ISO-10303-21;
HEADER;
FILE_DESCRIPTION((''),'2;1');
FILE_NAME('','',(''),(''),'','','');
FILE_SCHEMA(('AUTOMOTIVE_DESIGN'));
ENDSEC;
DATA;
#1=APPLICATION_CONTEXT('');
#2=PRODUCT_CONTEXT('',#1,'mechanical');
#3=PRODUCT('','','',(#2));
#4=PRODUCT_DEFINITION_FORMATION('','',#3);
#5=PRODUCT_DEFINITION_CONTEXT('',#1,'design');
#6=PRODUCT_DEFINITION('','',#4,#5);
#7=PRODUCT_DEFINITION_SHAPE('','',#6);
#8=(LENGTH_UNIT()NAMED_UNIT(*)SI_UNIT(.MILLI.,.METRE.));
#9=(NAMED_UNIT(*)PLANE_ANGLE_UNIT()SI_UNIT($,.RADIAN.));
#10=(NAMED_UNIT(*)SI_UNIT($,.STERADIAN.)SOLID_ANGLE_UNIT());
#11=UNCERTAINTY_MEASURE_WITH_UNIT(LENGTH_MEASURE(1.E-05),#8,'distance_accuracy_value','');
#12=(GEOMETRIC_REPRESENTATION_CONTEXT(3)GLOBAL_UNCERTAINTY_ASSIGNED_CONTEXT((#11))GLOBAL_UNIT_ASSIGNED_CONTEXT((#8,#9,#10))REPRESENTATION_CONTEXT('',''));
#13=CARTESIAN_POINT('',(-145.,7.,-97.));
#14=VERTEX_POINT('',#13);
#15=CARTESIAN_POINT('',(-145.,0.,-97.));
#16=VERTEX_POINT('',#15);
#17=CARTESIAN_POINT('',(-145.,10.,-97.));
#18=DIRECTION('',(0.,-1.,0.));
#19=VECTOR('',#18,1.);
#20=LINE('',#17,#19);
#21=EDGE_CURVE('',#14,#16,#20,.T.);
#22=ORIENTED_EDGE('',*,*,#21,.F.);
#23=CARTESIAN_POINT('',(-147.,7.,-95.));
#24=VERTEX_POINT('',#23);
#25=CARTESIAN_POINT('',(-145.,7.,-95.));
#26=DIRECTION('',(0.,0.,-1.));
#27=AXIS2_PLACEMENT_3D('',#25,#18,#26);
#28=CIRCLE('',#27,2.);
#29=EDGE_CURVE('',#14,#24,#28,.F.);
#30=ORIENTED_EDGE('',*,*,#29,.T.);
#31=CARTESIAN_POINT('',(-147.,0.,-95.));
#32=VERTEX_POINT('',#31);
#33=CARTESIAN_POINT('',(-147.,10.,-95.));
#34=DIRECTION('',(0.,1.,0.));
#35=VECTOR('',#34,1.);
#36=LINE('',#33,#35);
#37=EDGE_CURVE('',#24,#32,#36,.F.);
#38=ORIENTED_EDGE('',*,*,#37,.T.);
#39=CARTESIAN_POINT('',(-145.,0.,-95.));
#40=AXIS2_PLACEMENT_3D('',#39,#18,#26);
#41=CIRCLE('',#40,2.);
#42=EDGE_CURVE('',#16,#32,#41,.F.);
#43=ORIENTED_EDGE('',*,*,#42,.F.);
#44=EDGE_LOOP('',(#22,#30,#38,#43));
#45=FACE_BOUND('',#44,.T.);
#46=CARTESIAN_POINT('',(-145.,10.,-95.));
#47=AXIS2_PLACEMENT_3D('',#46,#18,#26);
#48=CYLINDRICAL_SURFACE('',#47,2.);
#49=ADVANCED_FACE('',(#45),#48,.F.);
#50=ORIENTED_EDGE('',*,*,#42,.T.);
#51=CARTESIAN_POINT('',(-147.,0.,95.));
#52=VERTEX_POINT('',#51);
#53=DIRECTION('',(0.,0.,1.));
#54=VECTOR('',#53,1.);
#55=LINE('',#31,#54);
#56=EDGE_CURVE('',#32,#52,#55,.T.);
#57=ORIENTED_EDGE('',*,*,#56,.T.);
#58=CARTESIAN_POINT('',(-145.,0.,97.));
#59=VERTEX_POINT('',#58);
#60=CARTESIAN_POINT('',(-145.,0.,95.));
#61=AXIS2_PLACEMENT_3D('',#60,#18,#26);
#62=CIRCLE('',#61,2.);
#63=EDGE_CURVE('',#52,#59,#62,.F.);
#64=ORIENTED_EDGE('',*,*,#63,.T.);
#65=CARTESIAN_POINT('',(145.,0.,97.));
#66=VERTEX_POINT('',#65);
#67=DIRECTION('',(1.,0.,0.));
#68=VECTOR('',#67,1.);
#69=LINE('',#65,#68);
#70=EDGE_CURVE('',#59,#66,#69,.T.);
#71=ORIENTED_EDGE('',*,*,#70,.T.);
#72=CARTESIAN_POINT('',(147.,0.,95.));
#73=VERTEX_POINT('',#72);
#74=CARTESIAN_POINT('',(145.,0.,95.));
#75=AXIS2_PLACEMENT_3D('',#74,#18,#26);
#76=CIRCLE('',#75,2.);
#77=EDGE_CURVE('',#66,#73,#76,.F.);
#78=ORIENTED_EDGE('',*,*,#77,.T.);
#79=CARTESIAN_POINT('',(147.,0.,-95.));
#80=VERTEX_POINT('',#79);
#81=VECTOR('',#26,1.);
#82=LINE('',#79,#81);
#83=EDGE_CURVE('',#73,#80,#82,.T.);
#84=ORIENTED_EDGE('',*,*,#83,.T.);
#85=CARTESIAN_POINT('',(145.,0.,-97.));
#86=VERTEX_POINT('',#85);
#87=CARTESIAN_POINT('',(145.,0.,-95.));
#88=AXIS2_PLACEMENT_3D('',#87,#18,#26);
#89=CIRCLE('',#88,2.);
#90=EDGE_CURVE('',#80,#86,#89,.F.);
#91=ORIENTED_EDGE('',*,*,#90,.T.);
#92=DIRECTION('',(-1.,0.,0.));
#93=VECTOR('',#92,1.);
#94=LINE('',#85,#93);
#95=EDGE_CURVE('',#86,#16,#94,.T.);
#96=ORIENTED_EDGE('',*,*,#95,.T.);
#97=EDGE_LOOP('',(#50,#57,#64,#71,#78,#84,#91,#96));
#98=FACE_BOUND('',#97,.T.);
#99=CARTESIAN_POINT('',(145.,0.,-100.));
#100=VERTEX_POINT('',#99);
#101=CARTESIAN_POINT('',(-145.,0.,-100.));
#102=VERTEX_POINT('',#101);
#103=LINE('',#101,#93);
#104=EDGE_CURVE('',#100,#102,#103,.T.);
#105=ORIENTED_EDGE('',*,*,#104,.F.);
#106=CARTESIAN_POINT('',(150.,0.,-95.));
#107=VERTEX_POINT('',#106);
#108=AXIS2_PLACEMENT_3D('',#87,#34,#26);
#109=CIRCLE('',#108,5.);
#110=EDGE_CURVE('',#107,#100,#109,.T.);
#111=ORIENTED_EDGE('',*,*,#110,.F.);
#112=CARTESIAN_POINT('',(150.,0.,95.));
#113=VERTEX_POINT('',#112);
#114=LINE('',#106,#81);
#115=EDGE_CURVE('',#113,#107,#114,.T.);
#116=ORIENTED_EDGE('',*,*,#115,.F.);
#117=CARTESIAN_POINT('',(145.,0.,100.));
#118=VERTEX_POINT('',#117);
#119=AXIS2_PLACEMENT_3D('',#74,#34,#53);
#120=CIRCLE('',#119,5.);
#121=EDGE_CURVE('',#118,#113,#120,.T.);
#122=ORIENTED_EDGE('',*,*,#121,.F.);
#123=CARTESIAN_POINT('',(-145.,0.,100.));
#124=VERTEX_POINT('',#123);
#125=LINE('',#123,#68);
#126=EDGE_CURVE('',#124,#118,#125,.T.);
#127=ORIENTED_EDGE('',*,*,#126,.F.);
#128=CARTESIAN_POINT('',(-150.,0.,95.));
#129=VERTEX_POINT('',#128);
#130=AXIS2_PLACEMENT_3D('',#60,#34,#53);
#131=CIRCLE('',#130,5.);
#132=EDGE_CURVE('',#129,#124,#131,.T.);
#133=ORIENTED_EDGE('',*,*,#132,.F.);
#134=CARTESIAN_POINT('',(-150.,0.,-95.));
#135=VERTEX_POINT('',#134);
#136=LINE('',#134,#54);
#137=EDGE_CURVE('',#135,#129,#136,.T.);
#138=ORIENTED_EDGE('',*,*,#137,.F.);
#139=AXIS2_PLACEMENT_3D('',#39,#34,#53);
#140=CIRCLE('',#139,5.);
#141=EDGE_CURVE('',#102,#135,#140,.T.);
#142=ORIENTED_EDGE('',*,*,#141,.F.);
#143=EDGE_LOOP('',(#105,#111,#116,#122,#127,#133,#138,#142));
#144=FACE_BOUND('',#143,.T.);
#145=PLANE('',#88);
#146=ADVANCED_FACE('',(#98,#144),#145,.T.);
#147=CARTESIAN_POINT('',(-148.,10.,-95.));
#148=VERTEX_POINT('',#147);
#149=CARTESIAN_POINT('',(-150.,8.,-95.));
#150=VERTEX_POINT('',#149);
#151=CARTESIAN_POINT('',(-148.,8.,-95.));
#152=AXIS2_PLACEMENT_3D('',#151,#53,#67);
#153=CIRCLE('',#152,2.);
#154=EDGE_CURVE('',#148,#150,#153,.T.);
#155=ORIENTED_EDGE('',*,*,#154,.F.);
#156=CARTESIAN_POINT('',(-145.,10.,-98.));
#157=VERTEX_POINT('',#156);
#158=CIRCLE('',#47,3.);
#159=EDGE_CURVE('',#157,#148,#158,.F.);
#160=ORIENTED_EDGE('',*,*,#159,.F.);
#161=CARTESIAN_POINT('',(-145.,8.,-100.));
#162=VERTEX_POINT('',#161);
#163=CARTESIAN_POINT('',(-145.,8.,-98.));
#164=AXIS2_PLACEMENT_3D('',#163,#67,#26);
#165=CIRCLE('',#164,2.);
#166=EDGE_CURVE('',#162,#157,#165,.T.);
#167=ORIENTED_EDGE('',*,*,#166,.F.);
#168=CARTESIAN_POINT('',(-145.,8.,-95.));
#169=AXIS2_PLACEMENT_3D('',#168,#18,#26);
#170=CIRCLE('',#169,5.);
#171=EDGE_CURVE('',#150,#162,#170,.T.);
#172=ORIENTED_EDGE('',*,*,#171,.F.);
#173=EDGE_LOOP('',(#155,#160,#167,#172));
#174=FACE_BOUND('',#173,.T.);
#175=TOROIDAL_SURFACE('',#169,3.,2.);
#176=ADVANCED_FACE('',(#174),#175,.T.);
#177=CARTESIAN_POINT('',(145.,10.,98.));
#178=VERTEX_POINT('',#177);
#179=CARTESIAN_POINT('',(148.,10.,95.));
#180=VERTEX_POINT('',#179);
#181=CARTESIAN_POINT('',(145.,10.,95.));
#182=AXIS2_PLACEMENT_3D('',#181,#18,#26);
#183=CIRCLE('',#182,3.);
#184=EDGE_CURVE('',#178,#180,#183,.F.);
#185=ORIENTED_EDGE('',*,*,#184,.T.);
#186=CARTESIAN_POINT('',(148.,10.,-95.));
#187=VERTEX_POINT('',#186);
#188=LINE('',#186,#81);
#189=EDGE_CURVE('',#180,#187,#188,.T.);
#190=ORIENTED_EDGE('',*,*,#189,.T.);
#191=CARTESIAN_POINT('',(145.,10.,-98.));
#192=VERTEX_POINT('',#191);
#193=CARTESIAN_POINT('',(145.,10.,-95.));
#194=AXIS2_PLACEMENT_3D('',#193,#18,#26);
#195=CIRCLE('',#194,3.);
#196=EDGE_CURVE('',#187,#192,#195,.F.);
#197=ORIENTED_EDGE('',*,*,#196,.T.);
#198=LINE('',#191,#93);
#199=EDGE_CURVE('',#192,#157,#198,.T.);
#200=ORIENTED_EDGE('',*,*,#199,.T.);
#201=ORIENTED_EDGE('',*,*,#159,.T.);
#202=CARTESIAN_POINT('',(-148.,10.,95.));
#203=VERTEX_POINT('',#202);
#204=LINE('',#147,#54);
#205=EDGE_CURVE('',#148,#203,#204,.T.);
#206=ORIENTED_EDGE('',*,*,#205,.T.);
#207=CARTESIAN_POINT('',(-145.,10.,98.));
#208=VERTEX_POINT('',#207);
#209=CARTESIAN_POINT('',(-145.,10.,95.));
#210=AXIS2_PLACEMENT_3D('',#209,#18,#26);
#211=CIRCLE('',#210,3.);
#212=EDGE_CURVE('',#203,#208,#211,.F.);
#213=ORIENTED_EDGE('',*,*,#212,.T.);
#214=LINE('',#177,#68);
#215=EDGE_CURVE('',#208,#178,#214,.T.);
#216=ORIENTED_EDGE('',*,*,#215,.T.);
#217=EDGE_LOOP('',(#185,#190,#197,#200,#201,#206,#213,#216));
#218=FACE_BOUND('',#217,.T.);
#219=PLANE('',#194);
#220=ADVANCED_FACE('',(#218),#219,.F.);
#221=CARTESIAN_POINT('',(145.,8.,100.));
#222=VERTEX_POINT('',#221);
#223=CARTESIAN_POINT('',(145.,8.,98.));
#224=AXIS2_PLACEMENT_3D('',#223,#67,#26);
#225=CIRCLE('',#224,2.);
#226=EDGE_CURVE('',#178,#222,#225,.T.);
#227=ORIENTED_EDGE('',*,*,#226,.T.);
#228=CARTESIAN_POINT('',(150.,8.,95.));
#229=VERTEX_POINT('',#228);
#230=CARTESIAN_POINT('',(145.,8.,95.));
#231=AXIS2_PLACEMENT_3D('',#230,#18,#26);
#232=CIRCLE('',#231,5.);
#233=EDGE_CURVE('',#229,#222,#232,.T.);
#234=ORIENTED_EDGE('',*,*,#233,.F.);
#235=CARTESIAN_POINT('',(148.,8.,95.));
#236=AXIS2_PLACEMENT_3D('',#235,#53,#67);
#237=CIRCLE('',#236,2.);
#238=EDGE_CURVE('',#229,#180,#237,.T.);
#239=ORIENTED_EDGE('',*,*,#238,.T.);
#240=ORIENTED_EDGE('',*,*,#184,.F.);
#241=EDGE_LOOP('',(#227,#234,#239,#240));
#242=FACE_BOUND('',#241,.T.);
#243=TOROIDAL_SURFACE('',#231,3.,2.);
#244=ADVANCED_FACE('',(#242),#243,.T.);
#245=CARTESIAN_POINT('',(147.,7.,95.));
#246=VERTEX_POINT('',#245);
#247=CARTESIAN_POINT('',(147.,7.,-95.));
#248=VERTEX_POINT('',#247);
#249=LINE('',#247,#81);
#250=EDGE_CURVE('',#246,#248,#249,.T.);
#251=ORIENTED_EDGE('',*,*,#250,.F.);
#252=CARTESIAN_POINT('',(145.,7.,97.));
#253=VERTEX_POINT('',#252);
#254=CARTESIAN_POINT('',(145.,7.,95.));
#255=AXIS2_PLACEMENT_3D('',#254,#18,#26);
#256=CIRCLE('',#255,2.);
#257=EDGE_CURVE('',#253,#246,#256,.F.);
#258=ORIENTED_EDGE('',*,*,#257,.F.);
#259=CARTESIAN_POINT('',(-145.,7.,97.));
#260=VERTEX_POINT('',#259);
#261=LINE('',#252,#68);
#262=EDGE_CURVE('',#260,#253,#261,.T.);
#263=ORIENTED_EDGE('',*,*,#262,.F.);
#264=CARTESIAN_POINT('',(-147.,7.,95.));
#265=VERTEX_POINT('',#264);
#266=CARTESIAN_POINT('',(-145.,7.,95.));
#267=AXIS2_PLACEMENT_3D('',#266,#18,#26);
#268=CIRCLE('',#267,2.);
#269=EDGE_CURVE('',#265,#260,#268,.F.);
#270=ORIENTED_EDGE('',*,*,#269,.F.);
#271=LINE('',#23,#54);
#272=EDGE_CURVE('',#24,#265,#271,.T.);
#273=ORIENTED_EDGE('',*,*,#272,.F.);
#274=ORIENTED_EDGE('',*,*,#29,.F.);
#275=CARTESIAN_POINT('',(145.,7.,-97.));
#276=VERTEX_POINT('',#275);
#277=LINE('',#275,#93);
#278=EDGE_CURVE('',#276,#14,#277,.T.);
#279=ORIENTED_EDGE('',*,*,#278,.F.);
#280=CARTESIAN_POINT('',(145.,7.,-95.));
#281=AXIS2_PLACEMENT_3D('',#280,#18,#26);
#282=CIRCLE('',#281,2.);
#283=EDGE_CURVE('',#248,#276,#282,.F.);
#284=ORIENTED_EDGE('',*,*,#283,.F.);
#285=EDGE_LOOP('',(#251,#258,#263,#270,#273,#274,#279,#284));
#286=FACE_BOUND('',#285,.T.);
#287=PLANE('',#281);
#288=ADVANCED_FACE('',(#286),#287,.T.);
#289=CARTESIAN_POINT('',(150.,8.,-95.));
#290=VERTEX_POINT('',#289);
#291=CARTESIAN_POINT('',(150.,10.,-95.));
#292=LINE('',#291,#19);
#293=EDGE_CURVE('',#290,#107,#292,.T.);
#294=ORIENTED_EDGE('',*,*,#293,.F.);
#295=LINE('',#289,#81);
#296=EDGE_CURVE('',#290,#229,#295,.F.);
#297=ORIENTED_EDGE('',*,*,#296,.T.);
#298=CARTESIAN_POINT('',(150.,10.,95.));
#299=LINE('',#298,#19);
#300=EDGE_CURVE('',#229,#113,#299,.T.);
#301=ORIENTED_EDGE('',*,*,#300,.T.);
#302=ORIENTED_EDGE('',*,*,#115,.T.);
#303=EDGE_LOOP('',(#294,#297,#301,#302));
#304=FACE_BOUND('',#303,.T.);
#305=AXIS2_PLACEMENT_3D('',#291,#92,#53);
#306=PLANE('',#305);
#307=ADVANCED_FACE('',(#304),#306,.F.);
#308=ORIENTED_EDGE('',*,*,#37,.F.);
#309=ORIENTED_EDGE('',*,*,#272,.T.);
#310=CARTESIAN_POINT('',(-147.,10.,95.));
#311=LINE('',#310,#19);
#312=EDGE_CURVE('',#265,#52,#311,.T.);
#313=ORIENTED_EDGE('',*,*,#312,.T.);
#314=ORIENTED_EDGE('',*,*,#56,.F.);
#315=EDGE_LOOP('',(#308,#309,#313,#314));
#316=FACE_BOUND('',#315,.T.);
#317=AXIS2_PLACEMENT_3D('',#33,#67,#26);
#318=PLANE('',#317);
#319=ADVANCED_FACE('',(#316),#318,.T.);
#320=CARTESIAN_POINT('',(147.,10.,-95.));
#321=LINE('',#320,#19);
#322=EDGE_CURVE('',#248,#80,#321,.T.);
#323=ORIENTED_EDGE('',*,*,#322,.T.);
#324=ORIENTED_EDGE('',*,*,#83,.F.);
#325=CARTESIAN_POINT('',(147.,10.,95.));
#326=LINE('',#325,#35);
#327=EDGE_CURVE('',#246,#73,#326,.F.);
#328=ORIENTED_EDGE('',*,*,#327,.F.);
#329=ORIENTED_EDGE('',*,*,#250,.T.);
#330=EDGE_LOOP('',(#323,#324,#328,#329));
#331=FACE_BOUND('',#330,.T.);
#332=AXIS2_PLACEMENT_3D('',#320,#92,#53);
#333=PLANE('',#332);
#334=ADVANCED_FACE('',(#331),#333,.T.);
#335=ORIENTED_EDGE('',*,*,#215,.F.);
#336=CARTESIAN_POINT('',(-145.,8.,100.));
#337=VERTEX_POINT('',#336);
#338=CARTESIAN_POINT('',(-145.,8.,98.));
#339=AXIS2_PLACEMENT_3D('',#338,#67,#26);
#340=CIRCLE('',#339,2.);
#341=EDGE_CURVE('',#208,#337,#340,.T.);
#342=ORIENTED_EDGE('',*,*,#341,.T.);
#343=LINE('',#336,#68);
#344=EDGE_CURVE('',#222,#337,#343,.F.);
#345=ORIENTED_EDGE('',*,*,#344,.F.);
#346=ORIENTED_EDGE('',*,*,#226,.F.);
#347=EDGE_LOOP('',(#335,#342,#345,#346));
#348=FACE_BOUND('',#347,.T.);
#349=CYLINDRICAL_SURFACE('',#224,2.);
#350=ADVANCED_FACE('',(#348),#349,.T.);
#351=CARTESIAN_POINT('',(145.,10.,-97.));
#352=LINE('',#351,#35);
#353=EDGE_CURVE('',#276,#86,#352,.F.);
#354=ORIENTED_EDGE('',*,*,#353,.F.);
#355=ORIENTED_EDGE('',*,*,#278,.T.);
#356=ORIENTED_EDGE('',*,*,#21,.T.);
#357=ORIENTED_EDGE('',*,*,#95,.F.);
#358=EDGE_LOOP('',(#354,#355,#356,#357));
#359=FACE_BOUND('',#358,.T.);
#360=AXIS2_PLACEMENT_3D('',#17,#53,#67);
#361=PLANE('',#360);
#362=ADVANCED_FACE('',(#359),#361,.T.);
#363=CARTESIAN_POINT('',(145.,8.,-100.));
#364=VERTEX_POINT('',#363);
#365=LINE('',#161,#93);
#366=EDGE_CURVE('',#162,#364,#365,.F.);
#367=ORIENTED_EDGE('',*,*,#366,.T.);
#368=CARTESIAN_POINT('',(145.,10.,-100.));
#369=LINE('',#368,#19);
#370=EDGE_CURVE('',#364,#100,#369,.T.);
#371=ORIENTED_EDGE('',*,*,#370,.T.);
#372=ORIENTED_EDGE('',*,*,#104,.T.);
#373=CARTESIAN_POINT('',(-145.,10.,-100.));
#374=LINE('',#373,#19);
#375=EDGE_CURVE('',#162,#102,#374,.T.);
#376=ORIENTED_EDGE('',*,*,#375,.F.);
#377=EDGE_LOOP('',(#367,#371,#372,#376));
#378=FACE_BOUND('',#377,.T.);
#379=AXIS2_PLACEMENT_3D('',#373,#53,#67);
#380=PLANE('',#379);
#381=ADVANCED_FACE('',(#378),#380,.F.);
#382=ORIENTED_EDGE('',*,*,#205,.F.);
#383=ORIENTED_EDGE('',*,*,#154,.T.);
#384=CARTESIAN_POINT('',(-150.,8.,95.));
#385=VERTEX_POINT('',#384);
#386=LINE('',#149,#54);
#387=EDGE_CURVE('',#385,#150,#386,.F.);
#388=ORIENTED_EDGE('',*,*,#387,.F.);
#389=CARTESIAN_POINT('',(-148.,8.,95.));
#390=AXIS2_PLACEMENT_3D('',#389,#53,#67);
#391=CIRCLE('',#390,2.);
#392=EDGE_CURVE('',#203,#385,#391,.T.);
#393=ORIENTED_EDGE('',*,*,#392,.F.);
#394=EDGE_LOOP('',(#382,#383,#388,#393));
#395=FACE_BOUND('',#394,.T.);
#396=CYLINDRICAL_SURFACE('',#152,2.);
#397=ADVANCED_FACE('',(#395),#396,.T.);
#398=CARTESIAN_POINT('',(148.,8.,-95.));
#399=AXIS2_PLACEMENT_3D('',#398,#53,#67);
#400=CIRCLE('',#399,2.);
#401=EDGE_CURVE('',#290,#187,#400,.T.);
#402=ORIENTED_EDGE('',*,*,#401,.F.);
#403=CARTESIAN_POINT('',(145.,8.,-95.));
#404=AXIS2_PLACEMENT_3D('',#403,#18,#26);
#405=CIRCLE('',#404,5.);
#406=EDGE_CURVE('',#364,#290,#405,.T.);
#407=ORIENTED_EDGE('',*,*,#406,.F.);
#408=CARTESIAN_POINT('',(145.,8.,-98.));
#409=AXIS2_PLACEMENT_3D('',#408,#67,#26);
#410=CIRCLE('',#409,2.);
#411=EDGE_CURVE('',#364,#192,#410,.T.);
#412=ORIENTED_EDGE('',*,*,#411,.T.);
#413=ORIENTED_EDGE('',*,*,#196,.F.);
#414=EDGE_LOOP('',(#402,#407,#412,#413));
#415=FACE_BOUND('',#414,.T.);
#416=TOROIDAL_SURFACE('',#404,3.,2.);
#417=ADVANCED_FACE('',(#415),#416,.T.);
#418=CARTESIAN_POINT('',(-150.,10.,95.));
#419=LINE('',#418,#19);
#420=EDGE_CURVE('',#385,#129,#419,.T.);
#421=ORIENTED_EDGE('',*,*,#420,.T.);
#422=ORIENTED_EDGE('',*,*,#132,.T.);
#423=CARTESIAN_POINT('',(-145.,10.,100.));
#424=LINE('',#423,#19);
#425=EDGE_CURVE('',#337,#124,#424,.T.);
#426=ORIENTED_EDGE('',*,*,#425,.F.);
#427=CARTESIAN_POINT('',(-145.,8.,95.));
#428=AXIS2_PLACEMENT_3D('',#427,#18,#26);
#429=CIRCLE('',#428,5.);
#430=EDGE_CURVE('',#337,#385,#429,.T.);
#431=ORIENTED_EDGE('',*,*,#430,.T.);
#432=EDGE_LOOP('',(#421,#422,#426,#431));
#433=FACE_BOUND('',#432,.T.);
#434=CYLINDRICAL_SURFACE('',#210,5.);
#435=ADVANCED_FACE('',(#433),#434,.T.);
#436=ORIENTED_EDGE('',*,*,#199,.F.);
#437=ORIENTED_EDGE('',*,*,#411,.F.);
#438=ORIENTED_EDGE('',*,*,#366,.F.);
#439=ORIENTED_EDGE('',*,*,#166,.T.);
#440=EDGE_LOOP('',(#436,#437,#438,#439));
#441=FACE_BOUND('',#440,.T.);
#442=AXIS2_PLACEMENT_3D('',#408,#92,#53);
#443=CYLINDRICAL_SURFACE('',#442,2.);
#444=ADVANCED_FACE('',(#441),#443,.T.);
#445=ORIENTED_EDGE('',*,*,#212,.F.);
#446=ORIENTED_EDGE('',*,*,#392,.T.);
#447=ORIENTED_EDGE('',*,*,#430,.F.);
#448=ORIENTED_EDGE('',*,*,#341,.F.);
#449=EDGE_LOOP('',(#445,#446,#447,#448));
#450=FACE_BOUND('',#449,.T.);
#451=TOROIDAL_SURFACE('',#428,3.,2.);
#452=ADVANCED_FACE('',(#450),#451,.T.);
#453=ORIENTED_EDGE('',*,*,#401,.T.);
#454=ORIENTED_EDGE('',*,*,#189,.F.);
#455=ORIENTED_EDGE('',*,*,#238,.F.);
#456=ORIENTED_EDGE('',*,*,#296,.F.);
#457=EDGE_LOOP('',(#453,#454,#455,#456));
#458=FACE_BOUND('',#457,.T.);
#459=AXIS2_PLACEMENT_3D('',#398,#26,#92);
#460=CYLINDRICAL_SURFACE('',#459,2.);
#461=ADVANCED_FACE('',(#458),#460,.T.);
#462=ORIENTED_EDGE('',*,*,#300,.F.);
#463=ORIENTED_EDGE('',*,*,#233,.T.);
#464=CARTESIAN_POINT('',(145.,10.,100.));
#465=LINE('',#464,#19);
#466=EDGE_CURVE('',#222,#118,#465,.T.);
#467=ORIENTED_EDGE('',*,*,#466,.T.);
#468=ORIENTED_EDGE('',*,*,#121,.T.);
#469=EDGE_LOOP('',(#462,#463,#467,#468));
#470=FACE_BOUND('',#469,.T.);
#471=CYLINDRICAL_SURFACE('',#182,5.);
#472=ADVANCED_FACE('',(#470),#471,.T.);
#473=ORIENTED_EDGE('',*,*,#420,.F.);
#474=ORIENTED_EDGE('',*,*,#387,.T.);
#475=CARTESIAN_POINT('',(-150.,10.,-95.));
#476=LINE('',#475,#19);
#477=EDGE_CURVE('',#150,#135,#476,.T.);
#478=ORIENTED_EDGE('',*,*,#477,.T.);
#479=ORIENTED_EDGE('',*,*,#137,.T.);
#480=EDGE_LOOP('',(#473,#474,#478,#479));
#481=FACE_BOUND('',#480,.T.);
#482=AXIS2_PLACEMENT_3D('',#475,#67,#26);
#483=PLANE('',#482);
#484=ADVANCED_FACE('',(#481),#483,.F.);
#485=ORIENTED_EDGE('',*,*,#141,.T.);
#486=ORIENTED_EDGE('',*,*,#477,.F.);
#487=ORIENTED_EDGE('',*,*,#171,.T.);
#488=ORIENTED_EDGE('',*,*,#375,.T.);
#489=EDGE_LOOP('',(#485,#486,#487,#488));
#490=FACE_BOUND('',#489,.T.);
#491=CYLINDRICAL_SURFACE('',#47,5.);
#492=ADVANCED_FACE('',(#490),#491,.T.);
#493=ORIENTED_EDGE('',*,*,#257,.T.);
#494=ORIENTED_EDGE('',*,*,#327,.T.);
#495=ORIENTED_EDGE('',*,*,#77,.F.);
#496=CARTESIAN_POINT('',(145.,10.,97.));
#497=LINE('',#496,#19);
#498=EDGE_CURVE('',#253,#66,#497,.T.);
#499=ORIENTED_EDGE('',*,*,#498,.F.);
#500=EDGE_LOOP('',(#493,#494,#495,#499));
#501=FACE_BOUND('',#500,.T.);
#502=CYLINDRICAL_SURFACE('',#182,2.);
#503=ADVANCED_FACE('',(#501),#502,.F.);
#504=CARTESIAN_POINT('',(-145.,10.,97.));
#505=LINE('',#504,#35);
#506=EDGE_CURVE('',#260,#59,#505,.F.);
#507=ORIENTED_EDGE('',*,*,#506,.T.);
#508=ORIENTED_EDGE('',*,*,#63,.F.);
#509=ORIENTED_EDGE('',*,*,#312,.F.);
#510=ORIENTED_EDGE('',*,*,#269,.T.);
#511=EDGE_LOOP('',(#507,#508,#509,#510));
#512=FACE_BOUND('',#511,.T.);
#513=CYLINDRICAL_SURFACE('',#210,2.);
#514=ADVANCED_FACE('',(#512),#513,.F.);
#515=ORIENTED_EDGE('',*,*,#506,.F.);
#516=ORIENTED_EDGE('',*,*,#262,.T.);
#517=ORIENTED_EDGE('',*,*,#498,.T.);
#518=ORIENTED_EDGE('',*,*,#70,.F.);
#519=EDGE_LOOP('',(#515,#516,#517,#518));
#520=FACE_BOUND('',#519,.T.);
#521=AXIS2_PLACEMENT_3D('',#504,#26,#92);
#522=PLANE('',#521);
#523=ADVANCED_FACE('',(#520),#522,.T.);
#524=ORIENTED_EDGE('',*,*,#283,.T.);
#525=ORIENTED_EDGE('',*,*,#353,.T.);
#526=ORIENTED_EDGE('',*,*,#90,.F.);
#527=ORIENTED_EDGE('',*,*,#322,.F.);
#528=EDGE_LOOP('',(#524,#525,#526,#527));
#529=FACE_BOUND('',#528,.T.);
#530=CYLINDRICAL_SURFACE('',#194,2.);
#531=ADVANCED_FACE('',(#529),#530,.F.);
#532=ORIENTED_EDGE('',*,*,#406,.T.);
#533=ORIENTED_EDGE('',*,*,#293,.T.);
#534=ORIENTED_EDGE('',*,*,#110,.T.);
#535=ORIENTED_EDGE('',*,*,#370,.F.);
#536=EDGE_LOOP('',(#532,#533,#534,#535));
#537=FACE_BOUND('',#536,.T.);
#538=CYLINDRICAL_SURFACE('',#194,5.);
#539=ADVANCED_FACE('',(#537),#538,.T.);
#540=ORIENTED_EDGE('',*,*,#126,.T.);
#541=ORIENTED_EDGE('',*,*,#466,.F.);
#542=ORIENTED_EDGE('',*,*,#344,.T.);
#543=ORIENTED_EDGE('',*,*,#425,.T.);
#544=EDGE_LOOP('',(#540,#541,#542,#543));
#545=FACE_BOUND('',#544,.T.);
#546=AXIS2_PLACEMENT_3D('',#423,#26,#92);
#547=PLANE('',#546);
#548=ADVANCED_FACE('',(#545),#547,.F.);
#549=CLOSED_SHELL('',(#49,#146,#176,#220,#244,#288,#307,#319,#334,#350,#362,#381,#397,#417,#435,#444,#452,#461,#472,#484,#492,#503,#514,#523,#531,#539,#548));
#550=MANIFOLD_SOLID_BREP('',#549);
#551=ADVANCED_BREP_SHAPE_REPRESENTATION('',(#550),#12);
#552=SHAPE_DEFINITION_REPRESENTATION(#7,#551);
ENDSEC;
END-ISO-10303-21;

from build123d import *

# Parameters (mm, degrees)
BOSS_EXTRUDE1_DEPTH = 10
SHELL1_T            = -3
FILLET1_R           = 2


with BuildPart() as part:
    # Sketch1 → Boss-Extrude1 (new body)
    with BuildSketch(Plane(origin=(0, 0, 0), x_dir=(1, 0, 0), z_dir=(0, 1, 0))):
        with BuildLine():
            Line((-145, 100), (145, 100))
            ThreePointArc((145, 100), (148.535533906, 98.535533906), (150, 95))
            Line((150, 95), (150, -95))
            ThreePointArc((150, -95), (148.535533906, -98.535533906), (145, -100))
            Line((145, -100), (-145, -100))
            ThreePointArc((-145, -100), (-148.535533906, -98.535533906), (-150, -95))
            Line((-150, -95), (-150, 95))
            ThreePointArc((-150, 95), (-148.535533906, 98.535533906), (-145, 100))
        make_face()
    extrude(amount=BOSS_EXTRUDE1_DEPTH)

    # Shell1
    shell1_openings = [part.faces().sort_by_distance(p)[0] for p in [
        (0, 0, 0),
    ]]
    offset(amount=SHELL1_T, openings=shell1_openings, kind=Kind.INTERSECTION)

    # Fillet1
    fillet1_edges = [part.edges().sort_by_distance(p)[0] for p in [
        (-148.535533906, 10, -98.535533906),
        (-150, 10, 0),
        (-148.535533906, 10, 98.535533906),
        (0, 10, 100),
        (148.535533906, 10, 98.535533906),
        (150, 10, 0),
        (148.535533906, 10, -98.535533906),
        (0, 10, -100),
    ]]
    fillet(fillet1_edges, radius=FILLET1_R)


solid = part.part
